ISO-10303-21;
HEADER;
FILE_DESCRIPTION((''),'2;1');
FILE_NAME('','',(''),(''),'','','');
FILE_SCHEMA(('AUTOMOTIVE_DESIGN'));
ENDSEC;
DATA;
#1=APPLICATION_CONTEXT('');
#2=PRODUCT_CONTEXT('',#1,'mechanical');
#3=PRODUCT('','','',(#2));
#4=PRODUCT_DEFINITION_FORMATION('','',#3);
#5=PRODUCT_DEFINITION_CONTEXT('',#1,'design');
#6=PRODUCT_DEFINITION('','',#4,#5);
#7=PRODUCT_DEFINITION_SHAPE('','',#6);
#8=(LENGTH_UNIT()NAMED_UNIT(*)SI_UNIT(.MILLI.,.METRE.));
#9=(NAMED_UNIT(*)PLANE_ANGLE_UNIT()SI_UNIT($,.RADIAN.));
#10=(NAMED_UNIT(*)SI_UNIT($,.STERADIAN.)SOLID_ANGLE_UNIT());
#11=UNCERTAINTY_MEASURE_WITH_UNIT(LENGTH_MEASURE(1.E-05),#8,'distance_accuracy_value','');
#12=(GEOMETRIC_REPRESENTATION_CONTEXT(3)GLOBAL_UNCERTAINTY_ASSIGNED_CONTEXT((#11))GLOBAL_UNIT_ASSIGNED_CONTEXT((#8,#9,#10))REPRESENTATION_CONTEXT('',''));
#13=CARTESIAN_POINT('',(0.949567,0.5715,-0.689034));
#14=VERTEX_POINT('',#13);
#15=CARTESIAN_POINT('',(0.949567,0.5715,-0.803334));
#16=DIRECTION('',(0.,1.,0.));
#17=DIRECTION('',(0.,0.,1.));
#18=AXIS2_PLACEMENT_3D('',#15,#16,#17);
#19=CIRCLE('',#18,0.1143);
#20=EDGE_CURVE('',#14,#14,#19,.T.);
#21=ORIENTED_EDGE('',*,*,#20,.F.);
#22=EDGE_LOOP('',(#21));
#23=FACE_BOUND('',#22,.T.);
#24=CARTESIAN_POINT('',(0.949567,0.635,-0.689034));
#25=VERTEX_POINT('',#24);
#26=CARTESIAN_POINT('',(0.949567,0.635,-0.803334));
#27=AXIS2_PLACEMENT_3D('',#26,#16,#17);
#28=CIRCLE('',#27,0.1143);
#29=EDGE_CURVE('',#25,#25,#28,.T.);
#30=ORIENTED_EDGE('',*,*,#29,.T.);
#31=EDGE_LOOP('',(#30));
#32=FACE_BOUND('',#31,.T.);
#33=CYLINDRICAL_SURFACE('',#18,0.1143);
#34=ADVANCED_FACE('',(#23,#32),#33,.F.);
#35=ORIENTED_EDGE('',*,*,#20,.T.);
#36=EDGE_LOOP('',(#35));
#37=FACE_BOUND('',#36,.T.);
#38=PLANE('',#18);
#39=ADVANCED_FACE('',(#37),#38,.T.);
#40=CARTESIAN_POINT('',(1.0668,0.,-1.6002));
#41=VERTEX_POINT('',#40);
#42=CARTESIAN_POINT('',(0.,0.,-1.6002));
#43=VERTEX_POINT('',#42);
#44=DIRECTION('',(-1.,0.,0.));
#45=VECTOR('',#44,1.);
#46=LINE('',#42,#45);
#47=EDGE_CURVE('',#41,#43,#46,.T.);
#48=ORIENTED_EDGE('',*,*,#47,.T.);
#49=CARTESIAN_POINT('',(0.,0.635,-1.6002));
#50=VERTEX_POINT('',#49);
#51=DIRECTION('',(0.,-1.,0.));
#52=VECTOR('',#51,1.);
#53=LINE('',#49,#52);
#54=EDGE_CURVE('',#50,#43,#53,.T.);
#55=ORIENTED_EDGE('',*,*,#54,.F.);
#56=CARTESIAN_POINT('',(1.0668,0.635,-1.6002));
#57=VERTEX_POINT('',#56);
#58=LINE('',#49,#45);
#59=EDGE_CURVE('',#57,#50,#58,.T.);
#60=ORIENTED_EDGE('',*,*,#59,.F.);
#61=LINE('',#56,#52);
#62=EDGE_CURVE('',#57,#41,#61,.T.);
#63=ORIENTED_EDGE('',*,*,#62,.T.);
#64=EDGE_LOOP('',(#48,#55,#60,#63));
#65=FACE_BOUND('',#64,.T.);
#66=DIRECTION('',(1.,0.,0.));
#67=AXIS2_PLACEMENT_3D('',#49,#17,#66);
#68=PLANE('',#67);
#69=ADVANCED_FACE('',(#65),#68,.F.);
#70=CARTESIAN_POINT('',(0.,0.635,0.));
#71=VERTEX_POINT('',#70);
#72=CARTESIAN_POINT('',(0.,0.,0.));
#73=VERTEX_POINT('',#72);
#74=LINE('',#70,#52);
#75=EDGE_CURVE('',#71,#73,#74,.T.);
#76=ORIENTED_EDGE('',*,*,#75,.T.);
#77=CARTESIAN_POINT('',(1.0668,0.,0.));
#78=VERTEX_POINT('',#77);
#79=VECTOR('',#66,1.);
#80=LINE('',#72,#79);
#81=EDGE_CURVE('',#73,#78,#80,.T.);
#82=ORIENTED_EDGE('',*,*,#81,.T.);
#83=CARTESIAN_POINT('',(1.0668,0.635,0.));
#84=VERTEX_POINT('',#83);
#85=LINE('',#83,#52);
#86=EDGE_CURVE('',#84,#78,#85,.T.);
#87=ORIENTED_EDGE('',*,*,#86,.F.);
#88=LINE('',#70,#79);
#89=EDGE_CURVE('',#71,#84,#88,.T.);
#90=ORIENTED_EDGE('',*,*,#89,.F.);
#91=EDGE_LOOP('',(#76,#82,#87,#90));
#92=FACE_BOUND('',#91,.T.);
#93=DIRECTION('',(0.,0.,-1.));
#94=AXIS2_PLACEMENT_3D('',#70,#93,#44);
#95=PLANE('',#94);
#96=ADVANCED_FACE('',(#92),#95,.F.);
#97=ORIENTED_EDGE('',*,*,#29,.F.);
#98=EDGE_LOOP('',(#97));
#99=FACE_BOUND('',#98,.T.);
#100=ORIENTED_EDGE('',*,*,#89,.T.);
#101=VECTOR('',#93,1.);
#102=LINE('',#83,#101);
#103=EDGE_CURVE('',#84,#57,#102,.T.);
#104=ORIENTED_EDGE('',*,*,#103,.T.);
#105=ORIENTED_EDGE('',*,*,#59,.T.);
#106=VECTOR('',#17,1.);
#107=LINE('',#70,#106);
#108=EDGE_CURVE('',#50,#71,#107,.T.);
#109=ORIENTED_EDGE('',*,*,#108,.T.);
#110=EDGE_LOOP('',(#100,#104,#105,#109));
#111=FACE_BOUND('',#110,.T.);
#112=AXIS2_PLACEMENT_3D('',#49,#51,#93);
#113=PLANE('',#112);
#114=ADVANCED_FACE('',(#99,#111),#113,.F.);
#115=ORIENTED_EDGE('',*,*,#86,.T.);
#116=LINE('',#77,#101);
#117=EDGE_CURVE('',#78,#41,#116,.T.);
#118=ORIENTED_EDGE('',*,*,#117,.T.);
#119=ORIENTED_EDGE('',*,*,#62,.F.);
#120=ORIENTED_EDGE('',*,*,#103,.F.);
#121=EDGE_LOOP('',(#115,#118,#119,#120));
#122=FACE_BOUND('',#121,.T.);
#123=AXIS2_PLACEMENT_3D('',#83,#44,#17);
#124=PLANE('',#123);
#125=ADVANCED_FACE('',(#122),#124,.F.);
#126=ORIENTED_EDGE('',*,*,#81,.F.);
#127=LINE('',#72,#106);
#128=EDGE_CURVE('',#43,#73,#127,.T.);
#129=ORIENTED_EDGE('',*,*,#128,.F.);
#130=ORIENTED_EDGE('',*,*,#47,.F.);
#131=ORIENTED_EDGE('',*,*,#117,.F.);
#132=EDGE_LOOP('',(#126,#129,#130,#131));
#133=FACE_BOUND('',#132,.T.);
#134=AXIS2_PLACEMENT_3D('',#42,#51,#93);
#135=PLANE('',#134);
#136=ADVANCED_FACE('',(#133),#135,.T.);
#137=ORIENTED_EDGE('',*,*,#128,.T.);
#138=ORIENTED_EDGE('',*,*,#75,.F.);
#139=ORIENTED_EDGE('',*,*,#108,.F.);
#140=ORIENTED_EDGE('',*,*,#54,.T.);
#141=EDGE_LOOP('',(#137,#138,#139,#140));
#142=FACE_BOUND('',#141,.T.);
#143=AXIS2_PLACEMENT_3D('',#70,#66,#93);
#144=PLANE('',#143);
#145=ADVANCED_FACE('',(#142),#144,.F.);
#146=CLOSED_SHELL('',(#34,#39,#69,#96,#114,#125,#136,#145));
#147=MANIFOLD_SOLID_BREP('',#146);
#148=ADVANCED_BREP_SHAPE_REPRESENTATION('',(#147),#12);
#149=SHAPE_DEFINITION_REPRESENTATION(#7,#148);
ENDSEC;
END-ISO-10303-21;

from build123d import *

# Parameters (mm, degrees)
SKETCH1_W           = 1.0668
SKETCH1_H           = 1.6002
BOSS_EXTRUDE1_DEPTH = 0.635
SKETCH2_R           = 0.1143
CUT_EXTRUDE2_DEPTH  = 0.0635


with BuildPart() as part:
    # Sketch1 → Boss-Extrude1 (new body)
    with BuildSketch(Plane(origin=(0, 0, 0), x_dir=(1, 0, 0), z_dir=(0, 1, 0))):
        with Locations((0.5334, 0.8001)):
            Rectangle(SKETCH1_W, SKETCH1_H)
    extrude(amount=BOSS_EXTRUDE1_DEPTH)

    # Sketch2 → Cut-Extrude2 (cut)
    with BuildSketch(Plane(origin=(0, 0.635, 0), x_dir=(1, 0, 0), z_dir=(0, 1, 0))):
        with Locations(Location((0.94956727, 0.803334461, 0), (0, 0, 270))):
            Circle(SKETCH2_R)
    extrude(amount=-CUT_EXTRUDE2_DEPTH, mode=Mode.SUBTRACT)


solid = part.part
